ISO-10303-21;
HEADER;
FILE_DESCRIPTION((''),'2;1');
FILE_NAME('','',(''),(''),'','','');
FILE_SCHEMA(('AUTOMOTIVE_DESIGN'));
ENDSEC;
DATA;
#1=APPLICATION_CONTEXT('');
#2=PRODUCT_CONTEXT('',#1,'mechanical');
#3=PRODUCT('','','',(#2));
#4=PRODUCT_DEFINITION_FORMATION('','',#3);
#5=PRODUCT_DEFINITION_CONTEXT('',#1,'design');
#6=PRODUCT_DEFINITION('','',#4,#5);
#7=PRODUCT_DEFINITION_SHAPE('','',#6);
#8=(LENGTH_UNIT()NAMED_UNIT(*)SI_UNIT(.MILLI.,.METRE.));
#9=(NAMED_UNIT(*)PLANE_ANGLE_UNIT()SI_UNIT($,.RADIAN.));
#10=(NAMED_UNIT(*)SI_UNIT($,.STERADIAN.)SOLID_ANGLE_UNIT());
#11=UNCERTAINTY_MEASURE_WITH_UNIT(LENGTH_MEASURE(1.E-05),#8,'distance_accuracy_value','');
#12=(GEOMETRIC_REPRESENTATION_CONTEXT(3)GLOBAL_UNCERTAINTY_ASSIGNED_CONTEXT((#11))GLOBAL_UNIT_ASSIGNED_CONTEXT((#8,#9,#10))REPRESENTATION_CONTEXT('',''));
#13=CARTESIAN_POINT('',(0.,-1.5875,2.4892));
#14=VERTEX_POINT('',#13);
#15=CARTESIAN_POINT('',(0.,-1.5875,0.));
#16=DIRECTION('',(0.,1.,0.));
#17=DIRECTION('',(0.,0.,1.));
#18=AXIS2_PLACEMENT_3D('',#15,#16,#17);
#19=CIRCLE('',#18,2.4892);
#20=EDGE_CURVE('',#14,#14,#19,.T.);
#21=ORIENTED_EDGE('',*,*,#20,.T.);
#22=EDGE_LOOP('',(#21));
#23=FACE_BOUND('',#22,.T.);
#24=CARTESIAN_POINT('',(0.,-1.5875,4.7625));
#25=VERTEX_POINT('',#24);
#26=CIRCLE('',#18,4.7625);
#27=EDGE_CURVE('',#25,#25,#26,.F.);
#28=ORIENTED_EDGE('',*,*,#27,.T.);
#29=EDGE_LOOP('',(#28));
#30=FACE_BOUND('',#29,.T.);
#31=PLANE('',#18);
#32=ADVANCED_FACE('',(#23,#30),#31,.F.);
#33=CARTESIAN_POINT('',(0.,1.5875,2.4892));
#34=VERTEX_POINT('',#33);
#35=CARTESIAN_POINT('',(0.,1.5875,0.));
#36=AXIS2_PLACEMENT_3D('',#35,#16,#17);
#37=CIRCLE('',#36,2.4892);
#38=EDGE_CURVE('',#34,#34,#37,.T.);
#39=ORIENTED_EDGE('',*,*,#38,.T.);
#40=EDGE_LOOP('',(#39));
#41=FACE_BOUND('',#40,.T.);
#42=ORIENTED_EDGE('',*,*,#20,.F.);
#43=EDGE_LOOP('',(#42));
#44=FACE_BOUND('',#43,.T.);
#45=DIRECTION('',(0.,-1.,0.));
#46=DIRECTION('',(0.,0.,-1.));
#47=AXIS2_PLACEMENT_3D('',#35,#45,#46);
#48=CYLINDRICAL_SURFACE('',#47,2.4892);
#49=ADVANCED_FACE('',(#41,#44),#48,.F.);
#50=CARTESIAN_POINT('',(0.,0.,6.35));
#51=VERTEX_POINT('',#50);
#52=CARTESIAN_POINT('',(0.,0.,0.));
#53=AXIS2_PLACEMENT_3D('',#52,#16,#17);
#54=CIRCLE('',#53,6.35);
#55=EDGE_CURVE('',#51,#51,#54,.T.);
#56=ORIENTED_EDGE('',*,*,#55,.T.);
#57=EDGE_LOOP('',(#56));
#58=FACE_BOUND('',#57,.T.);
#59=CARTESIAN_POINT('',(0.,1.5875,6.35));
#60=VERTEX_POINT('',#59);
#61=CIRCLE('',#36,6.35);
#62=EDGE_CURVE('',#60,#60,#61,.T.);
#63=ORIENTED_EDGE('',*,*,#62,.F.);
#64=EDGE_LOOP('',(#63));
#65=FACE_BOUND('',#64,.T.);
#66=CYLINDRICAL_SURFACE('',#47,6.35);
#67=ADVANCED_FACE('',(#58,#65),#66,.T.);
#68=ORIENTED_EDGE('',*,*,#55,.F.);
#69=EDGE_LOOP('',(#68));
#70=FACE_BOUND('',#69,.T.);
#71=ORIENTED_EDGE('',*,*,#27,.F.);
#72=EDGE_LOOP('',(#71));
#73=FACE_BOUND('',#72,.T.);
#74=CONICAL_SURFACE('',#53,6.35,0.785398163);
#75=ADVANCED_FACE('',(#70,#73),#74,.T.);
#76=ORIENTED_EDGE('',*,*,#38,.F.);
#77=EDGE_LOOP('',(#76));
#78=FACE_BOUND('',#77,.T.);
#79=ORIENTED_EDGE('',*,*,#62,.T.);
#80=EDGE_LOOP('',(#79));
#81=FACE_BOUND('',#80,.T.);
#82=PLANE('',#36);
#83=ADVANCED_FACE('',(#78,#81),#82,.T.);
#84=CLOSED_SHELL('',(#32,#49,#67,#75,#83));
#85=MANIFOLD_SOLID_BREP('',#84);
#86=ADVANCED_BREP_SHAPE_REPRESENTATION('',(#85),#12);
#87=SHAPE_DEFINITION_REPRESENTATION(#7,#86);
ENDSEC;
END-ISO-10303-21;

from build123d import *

# Parameters (mm, degrees)
SKETCH1_R           = 6.35
SKETCH1_R_2         = 2.4892
BOSS_EXTRUDE1_DEPTH = 1.5875
CHAMFER1_SIZE       = 1.5875


with BuildPart() as part:
    # Sketch1 → Boss-Extrude1 (new, symmetric)
    with BuildSketch(Plane(origin=(0, 0, 0), x_dir=(1, 0, 0), z_dir=(0, 1, 0))):
        with Locations(Location((0, 0, 0), (0, 0, 270))):
            Circle(SKETCH1_R)
        with Locations(Location((0, 0, 0), (0, 0, 270))):
            Circle(SKETCH1_R_2, mode=Mode.SUBTRACT)
    extrude(amount=BOSS_EXTRUDE1_DEPTH, both=True)

    # Chamfer1
    chamfer1_edges = [part.edges().sort_by_distance(p)[0] for p in [
        (0, -1.5875, -6.35),
    ]]
    chamfer(chamfer1_edges, length=CHAMFER1_SIZE)


solid = part.part
